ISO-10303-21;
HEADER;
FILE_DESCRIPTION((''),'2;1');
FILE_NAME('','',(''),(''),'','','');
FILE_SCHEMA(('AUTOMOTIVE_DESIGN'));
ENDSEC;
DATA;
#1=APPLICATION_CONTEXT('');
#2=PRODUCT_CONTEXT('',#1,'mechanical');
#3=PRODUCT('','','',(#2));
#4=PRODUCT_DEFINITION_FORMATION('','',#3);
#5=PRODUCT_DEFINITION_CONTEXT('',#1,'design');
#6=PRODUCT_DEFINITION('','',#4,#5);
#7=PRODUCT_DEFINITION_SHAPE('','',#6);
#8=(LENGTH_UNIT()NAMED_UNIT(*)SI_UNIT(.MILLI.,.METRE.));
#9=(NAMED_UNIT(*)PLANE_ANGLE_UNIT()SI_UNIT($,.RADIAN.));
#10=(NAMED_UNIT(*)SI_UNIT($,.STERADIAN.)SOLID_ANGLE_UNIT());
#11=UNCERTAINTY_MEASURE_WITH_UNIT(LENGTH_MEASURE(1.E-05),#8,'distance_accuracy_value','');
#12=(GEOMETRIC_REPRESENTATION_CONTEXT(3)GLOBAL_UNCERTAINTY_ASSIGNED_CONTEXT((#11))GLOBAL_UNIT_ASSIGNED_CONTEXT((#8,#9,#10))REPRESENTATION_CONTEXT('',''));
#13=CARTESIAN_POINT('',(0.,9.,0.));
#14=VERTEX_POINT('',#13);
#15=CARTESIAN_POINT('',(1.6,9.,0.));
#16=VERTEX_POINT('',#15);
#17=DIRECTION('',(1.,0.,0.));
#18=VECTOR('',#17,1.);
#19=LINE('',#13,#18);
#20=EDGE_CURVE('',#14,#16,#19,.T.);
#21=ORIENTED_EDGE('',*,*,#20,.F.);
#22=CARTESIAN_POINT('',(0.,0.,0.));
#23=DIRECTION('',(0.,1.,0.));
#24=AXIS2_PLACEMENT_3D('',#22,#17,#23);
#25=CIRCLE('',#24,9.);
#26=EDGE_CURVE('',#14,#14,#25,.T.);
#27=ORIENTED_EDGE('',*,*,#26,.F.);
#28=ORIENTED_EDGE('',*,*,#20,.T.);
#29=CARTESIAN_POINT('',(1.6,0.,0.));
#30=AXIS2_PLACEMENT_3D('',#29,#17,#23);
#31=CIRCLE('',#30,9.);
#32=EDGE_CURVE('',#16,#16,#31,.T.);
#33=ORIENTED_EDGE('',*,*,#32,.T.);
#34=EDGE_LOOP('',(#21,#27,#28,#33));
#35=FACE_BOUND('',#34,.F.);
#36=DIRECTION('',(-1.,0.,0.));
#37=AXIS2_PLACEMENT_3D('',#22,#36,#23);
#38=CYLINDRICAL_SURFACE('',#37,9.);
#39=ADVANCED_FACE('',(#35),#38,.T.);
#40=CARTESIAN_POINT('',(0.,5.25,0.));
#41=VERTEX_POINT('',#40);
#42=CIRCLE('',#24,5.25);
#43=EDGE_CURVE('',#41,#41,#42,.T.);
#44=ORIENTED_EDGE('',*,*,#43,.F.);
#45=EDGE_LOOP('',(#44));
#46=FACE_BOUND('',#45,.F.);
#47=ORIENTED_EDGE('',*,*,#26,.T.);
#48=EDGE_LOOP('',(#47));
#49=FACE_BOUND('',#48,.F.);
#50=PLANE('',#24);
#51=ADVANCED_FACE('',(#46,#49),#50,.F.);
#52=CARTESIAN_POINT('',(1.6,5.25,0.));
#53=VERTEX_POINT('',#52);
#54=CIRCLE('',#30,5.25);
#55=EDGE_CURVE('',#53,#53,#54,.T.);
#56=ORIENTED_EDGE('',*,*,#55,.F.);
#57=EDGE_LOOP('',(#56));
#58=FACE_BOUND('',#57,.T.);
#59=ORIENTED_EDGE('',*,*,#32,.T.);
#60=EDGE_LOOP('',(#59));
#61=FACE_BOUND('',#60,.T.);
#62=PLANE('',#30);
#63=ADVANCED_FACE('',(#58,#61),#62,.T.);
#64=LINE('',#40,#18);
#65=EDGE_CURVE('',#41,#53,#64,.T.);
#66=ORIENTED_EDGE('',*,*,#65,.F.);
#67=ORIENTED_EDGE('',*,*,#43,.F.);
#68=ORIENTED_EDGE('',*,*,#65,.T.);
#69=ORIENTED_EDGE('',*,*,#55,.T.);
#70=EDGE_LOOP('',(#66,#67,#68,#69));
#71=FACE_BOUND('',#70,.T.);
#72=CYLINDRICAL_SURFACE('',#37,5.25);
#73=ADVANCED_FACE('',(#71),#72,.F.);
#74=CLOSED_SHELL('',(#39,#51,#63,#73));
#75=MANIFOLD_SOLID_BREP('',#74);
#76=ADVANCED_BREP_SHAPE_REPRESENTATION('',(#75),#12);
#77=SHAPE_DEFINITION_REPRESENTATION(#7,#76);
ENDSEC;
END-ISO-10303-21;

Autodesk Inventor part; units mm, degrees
ref_plane "YZ Plane" through (0, 0, 0) normal (1, 0, 0) x (0, 1, 0)
ref_plane "XZ Plane" through (0, 0, 0) normal (0, 1, 0) x (-1, 0, 0)
sketch "Sketch" plane through (0, 0, 0) normal (1, 0, 0) x (0, 1, 0)
  circle A0 centre (0, 0) radius 9
  circle A1 centre (0, 0) radius 5.25
  dimension "d0" = 10.5
  dimension "d1" = 18
extrude "Body" add sketch "Sketch" along normal blind 1.6
ref_plane "Work Plane1" through (0, 0, 0) normal (0, 0, 1) x (1, 0, 0)
equation "\"d0\" = SD1"
equation "\"d1\" = SD2"
equation "\"d2\" = SD"
equation "\"SD1\" = 10.5"
equation "\"SD2\" = 18"
equation "\"SD\" = 1.6"
properties part number "AS 1237 - 10" material "Steel, Mild"
